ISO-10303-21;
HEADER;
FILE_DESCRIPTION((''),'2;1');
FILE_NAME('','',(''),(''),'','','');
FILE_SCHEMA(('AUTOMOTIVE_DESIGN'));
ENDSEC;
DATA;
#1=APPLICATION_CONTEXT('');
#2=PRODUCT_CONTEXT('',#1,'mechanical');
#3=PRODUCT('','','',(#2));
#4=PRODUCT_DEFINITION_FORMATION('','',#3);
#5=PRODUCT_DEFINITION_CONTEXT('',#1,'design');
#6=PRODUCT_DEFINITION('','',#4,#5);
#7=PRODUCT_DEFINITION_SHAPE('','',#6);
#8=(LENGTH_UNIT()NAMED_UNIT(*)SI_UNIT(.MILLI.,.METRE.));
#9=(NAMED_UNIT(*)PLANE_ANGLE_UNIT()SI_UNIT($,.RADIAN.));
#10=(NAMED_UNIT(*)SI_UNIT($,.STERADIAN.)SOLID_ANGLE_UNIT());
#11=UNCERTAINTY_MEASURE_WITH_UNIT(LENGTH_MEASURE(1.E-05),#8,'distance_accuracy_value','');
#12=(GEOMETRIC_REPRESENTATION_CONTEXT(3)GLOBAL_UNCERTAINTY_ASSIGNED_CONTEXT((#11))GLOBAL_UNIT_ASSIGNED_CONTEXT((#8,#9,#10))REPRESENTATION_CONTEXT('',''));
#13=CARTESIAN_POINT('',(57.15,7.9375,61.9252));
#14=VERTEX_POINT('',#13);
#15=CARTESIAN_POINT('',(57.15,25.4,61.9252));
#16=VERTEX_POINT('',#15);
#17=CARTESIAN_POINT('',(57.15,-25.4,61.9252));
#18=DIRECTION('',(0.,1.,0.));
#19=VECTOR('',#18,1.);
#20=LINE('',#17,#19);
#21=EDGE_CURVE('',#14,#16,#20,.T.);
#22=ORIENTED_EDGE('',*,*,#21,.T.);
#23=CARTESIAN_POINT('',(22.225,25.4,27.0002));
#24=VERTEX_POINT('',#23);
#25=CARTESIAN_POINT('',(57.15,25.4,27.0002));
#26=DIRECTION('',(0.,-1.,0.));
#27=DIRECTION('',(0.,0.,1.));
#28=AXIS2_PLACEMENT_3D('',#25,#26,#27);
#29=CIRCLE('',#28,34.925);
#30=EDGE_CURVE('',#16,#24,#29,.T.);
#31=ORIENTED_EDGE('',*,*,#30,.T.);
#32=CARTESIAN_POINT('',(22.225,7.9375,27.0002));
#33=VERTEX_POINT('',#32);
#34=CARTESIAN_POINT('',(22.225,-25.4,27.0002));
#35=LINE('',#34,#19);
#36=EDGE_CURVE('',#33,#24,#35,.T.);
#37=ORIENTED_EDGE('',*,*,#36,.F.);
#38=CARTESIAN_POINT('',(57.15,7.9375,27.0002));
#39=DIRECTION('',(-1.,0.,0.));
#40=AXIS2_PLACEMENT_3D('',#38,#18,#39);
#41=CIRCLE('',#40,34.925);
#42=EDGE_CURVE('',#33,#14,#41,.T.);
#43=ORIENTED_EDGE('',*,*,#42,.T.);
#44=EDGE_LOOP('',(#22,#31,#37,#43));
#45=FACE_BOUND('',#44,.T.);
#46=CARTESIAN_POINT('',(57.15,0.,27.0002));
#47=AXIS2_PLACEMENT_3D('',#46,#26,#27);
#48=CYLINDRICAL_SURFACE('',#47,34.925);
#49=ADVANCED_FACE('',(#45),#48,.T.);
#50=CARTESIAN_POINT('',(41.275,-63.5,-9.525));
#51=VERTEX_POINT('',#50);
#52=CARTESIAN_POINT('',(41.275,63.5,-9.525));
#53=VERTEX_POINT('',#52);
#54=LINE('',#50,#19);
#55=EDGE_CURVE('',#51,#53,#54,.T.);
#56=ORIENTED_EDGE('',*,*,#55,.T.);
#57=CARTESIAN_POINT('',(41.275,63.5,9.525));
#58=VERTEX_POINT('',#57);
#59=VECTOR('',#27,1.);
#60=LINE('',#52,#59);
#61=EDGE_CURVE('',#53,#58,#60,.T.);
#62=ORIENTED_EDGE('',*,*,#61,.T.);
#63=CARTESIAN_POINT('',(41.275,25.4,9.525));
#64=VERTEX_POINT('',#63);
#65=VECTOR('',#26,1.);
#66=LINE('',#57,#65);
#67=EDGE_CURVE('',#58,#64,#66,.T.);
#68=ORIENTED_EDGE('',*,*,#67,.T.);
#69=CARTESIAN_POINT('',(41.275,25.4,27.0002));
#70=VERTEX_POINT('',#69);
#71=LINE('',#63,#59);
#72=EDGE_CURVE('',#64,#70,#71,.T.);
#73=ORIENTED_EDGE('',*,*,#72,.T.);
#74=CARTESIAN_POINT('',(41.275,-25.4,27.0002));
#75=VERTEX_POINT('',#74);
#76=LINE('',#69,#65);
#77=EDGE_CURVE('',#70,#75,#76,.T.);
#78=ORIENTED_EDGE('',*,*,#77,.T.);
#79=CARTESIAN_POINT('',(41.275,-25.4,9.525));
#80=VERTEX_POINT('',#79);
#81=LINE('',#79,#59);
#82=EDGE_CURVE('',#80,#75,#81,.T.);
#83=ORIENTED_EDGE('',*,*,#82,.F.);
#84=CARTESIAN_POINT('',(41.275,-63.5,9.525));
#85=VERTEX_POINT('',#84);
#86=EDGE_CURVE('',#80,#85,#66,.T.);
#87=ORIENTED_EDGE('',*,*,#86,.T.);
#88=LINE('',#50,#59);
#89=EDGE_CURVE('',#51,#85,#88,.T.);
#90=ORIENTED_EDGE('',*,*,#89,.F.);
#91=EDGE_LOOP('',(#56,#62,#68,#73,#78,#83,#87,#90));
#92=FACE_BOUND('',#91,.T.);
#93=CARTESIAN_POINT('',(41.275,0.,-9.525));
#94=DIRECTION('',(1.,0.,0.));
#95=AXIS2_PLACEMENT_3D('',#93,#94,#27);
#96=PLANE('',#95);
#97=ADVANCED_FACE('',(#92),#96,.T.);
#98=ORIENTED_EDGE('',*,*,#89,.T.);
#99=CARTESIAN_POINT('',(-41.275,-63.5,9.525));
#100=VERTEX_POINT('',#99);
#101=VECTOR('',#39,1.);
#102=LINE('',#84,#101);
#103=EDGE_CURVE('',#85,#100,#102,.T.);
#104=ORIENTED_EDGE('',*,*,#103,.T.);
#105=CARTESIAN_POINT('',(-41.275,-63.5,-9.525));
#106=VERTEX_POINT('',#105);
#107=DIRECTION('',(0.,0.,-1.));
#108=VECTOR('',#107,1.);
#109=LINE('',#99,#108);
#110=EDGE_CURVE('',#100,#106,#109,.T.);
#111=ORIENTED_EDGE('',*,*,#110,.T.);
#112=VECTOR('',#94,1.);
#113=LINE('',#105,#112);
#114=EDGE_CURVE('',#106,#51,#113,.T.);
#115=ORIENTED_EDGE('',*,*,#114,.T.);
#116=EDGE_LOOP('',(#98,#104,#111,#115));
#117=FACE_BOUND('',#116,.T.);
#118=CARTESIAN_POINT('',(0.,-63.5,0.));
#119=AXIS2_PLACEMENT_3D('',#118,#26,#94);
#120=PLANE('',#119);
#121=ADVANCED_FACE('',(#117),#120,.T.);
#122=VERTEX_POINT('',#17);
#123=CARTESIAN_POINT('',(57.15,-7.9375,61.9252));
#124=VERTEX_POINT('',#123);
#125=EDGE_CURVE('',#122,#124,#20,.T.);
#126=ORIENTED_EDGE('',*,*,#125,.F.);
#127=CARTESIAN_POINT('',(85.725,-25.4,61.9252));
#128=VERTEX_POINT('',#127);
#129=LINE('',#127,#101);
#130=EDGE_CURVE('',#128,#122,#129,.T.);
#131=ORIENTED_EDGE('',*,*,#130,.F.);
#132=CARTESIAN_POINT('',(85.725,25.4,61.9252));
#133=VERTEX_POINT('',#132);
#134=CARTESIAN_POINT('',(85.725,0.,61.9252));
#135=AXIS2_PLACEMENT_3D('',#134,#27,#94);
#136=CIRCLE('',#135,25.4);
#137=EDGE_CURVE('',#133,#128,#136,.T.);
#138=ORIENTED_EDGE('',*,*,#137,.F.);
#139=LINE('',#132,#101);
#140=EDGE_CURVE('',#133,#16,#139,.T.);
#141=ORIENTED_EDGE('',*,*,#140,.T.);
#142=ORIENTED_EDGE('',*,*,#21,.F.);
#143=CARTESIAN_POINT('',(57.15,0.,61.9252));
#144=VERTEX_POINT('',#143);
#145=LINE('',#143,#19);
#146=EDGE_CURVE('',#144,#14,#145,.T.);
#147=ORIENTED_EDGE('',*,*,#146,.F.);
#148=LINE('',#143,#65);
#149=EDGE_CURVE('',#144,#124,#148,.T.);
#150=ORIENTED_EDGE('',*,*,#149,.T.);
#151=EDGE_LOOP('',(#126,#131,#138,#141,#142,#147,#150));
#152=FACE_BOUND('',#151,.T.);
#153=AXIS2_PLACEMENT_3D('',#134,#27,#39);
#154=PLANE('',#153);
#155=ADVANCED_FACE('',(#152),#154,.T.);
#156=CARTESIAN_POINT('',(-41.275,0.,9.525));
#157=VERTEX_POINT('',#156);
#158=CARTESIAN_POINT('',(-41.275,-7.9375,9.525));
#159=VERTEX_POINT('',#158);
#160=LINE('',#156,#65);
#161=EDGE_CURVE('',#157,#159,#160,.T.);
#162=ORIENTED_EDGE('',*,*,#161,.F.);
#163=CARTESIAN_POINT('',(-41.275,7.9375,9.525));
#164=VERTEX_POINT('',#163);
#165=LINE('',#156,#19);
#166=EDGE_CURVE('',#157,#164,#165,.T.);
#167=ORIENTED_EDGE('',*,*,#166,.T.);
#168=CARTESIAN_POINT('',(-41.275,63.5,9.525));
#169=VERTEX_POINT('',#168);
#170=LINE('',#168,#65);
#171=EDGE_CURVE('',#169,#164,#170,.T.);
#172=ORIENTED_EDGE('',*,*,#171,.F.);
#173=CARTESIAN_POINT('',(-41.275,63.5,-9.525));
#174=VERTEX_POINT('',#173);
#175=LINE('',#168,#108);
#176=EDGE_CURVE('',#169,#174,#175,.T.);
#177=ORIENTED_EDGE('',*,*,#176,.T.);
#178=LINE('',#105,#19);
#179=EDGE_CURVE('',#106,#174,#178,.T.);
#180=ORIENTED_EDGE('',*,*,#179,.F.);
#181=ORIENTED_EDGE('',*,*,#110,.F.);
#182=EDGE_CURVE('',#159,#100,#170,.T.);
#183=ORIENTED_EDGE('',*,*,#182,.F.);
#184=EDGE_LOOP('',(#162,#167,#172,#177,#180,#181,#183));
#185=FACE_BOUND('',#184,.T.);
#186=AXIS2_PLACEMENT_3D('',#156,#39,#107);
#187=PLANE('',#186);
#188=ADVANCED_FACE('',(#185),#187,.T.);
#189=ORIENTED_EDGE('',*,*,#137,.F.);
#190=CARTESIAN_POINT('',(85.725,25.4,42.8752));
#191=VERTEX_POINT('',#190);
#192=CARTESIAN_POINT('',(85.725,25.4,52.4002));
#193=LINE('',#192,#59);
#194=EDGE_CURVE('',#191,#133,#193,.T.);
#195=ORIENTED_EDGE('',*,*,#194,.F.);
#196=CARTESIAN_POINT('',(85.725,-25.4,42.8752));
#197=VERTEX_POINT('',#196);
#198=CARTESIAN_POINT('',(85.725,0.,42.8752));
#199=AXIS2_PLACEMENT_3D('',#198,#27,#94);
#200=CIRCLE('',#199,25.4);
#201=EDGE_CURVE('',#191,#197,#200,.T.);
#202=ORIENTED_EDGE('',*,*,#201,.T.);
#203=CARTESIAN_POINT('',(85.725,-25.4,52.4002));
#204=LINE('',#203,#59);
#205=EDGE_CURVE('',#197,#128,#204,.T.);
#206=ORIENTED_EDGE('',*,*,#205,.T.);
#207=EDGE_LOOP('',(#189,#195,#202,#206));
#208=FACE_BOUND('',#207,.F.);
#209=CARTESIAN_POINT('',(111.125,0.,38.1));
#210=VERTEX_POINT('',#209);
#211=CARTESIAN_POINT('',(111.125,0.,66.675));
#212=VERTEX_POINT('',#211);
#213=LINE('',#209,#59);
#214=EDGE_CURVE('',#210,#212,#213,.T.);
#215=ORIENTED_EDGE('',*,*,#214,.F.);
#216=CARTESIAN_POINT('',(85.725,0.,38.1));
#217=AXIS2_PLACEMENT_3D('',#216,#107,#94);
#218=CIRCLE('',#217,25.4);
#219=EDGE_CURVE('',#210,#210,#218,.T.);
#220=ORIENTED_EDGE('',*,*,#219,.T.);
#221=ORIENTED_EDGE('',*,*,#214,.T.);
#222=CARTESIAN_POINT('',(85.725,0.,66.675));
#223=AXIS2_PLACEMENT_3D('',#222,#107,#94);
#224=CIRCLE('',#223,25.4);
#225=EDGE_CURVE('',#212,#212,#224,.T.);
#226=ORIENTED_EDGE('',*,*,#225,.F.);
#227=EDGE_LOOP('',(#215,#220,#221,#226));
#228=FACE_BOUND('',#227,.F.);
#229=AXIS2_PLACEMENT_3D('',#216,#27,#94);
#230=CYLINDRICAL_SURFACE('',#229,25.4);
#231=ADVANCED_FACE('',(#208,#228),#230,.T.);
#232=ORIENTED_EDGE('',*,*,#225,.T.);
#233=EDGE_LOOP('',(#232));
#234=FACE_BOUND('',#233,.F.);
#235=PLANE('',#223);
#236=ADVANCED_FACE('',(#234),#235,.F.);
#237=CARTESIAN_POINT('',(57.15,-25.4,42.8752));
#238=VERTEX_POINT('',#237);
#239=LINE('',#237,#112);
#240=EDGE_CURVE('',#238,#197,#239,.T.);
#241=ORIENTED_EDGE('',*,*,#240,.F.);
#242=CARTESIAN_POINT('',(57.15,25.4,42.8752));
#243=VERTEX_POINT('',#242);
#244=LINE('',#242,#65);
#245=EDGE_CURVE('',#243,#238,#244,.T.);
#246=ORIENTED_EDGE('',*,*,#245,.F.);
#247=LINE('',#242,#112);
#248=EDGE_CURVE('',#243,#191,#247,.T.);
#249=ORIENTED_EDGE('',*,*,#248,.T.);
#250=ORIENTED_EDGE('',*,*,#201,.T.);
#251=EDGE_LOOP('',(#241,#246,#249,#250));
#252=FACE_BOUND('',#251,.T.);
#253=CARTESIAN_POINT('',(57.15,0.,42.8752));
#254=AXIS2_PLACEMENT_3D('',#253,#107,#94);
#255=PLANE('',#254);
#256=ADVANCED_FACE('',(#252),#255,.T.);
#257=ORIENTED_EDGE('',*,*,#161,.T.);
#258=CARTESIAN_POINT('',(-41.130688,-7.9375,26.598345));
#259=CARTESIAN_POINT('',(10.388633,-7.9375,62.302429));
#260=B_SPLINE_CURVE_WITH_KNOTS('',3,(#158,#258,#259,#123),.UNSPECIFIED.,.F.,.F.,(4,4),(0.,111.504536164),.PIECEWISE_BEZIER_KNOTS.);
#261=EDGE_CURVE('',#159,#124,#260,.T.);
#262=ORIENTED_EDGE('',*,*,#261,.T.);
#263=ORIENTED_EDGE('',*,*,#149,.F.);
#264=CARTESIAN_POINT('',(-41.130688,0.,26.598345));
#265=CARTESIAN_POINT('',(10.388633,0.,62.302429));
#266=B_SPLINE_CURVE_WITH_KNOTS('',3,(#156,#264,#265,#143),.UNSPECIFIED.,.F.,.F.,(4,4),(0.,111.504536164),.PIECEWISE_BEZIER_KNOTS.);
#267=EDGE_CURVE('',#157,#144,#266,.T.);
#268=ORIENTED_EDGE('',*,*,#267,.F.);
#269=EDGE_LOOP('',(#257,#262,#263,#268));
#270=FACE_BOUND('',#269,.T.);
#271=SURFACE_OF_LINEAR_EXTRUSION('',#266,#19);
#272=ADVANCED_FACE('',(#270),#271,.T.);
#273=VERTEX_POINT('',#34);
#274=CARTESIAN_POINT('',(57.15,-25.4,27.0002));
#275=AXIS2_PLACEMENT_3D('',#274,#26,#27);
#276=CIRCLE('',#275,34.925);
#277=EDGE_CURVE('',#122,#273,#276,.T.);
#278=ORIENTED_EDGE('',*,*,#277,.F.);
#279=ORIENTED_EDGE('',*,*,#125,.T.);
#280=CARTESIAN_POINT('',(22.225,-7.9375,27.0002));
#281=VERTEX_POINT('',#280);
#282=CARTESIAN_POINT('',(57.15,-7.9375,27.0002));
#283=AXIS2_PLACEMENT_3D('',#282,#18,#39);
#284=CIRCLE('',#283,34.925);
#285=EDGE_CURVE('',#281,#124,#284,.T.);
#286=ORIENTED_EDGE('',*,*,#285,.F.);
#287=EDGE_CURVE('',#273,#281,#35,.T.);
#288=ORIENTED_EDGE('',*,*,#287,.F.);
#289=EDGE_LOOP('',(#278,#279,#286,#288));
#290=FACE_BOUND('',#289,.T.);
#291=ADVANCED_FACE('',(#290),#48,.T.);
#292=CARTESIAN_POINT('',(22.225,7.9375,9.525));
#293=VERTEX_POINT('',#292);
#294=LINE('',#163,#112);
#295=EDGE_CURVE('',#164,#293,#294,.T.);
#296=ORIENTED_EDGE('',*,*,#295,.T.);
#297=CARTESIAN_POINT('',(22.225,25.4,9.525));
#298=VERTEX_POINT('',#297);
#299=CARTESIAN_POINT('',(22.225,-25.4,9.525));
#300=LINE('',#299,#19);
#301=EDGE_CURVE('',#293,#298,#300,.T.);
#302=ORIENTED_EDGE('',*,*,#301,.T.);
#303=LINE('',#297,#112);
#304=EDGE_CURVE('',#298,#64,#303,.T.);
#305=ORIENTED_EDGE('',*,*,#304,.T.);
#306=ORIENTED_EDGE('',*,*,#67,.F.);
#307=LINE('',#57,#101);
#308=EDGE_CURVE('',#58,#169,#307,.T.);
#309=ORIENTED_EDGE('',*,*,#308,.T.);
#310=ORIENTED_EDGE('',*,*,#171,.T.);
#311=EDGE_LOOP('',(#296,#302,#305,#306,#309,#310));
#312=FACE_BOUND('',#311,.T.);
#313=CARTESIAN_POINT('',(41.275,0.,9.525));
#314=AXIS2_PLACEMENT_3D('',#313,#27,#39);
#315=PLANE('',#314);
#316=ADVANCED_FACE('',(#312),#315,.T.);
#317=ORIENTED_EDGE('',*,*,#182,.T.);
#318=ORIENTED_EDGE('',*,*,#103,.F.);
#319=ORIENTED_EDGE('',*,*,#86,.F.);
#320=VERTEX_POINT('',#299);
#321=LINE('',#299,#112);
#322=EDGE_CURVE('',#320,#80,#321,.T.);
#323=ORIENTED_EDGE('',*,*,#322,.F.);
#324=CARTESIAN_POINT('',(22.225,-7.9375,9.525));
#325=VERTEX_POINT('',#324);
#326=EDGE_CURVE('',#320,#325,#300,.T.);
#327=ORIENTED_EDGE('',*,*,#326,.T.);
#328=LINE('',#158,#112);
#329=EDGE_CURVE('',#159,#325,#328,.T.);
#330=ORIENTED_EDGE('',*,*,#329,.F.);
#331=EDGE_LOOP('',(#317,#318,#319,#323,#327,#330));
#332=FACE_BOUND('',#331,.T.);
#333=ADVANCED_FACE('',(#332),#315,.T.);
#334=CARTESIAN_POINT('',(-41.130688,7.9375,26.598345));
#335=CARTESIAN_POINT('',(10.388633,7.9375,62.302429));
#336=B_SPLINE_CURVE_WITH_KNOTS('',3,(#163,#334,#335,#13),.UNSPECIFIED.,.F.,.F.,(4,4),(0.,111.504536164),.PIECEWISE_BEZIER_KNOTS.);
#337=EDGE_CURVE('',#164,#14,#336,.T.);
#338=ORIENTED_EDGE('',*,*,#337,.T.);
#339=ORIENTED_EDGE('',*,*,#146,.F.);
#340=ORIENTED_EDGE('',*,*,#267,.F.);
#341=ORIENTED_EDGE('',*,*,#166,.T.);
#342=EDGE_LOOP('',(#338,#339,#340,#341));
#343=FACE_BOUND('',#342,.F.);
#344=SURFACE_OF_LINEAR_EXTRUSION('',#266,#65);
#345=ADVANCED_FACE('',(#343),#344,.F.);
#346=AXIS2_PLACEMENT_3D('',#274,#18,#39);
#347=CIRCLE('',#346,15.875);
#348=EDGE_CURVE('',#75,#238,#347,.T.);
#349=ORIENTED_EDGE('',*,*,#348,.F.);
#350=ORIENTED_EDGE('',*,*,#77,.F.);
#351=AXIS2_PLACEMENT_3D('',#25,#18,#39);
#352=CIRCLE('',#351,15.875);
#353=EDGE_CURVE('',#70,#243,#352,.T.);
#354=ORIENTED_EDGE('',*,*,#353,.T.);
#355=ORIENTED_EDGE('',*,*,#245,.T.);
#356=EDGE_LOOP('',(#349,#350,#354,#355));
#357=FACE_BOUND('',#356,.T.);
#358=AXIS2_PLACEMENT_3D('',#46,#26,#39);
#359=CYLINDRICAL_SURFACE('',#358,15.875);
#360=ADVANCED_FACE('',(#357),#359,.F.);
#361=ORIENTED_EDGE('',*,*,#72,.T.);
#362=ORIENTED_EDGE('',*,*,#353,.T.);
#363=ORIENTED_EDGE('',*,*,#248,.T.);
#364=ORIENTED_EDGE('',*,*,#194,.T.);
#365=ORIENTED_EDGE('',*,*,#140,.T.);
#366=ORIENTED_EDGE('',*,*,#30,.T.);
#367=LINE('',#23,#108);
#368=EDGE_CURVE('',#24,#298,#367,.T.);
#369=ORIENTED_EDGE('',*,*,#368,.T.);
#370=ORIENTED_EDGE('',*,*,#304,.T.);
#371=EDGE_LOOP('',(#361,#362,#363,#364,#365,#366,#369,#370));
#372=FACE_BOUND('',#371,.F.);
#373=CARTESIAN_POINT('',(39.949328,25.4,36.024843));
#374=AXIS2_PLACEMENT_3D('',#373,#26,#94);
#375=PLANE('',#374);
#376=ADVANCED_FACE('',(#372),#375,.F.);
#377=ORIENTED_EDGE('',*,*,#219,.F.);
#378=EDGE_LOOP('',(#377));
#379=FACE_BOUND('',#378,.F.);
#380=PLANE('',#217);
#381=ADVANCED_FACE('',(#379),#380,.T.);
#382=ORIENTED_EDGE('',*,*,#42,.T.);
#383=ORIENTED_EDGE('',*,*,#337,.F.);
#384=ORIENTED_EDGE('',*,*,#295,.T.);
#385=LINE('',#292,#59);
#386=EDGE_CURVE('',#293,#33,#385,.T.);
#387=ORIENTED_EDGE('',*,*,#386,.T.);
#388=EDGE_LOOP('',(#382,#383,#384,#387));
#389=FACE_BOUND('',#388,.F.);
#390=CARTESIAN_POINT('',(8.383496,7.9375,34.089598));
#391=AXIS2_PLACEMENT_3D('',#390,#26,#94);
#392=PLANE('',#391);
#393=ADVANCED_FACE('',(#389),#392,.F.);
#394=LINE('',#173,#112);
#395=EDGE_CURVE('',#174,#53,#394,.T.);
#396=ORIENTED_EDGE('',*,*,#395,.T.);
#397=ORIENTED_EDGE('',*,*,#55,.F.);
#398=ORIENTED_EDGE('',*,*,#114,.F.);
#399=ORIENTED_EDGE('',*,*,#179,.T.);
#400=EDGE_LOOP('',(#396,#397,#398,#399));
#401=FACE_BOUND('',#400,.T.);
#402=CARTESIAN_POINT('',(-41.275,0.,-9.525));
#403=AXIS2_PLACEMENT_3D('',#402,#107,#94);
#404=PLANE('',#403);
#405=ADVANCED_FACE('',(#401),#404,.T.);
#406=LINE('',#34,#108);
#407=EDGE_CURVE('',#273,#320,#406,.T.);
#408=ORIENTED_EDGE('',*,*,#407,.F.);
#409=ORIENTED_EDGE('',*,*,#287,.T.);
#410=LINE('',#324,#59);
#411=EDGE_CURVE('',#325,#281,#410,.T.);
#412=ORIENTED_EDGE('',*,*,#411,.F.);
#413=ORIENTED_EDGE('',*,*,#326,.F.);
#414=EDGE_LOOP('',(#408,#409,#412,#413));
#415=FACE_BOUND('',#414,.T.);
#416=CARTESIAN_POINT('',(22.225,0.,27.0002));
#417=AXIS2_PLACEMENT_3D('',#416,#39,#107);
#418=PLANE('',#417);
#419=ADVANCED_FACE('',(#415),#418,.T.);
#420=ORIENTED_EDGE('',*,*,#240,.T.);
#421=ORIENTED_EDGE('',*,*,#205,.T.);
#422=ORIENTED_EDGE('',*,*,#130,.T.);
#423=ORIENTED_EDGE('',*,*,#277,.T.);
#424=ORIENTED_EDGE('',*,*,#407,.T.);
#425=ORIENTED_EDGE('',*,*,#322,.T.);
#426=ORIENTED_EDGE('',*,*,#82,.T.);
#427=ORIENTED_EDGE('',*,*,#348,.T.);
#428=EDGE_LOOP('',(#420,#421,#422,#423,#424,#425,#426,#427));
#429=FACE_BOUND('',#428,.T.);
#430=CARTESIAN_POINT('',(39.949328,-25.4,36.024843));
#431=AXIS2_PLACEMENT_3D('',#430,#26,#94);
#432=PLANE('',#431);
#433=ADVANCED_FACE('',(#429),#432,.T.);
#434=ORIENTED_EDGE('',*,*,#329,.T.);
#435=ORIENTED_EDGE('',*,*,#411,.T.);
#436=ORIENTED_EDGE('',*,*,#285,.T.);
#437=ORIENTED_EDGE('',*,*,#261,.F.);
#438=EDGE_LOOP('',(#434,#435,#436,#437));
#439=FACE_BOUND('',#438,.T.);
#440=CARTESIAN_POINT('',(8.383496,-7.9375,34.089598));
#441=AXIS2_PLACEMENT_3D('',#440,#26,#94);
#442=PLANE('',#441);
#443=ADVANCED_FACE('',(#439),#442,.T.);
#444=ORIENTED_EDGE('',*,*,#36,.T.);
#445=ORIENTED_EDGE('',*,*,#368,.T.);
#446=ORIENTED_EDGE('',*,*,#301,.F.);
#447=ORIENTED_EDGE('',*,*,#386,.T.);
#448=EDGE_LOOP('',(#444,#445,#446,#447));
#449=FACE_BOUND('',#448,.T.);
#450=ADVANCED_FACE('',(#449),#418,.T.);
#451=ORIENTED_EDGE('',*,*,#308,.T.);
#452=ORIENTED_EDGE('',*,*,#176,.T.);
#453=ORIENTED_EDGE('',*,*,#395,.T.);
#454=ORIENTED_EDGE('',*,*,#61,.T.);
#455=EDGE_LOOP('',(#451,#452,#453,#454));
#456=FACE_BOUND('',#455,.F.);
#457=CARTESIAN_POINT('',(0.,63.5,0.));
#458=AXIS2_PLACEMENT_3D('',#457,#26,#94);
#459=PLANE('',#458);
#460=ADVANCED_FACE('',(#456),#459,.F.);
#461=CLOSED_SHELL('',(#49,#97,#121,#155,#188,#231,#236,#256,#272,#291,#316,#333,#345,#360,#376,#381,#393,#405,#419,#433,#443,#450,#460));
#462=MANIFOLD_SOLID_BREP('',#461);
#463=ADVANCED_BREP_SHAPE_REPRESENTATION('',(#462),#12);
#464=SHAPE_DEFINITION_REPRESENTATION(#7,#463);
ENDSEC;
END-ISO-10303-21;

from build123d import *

# Parameters (mm, degrees)
F1_DEPTH = 63.5
F0_W     = 25.4
F0_H     = 19.05
F2_DEPTH = 25.4
F3_DEPTH = 7.9375


with BuildPart() as f1:
    # F0 (on Front) → F1 (new body, symmetric)
    with BuildSketch(Plane.XZ):
        Polygon((41.275, -9.525), (41.275, 9.525), (22.225, 9.525), (-41.275, 9.525), (-41.275, -9.525), align=None)
    extrude(amount=F1_DEPTH, both=True)

    # F0 (on Front) → F2 (join, symmetric)
    with BuildSketch(Plane.XZ):
        with BuildLine():
            Line((22.225, 9.525), (41.275, 9.525))
            Line((41.275, 9.525), (41.275, 27.0002))
            ThreePointArc((41.275, 27.0002), (45.9246798487, 38.2255201513), (57.15, 42.8752))
            Line((57.15, 42.8752), (60.325, 42.8752))
            Line((60.325, 42.8752), (60.325, 61.9252))
            Line((60.325, 61.9252), (57.15, 61.9252))
            ThreePointArc((57.15, 61.9252), (32.4542956671, 51.6959043329), (22.225, 27.0002))
            Line((22.225, 27.0002), (22.225, 9.525))
        make_face()
        with Locations((73.025, 52.4002)):
            Rectangle(F0_W, F0_H)
    extrude(amount=F2_DEPTH, both=True)

    # F0 (on Front) → F3 (join, symmetric)
    with BuildSketch(Plane.XZ):
        with BuildLine():
            Line((-41.275, 9.525), (22.225, 9.525))
            Line((22.225, 9.525), (22.225, 27.0002))
            ThreePointArc((22.225, 27.0002), (32.4542956671, 51.6959043329), (57.15, 61.9252))
            add(Edge.make_bspline(
                [(-41.275, 9.525), (-41.1306880414, 26.5983454883), (10.3886332363, 62.302429229), (57.15, 61.9252)],
                knots=[0, 0, 0, 0, 111.5045361635, 111.5045361635, 111.5045361635, 111.5045361635], degree=3))
        make_face()
    extrude(amount=F3_DEPTH, both=True)

    # F0 (on Front) → F4 (revolve)
    with BuildSketch(Plane.XZ):
        Polygon((85.725, 61.9252), (85.725, 42.8752), (85.725, 38.1), (111.125, 38.1), (111.125, 66.675), (85.725, 66.675), align=None)
    revolve(axis=Axis((85.725, 0, 52.3875), (0, 0, -1)))


solid = f1.part
